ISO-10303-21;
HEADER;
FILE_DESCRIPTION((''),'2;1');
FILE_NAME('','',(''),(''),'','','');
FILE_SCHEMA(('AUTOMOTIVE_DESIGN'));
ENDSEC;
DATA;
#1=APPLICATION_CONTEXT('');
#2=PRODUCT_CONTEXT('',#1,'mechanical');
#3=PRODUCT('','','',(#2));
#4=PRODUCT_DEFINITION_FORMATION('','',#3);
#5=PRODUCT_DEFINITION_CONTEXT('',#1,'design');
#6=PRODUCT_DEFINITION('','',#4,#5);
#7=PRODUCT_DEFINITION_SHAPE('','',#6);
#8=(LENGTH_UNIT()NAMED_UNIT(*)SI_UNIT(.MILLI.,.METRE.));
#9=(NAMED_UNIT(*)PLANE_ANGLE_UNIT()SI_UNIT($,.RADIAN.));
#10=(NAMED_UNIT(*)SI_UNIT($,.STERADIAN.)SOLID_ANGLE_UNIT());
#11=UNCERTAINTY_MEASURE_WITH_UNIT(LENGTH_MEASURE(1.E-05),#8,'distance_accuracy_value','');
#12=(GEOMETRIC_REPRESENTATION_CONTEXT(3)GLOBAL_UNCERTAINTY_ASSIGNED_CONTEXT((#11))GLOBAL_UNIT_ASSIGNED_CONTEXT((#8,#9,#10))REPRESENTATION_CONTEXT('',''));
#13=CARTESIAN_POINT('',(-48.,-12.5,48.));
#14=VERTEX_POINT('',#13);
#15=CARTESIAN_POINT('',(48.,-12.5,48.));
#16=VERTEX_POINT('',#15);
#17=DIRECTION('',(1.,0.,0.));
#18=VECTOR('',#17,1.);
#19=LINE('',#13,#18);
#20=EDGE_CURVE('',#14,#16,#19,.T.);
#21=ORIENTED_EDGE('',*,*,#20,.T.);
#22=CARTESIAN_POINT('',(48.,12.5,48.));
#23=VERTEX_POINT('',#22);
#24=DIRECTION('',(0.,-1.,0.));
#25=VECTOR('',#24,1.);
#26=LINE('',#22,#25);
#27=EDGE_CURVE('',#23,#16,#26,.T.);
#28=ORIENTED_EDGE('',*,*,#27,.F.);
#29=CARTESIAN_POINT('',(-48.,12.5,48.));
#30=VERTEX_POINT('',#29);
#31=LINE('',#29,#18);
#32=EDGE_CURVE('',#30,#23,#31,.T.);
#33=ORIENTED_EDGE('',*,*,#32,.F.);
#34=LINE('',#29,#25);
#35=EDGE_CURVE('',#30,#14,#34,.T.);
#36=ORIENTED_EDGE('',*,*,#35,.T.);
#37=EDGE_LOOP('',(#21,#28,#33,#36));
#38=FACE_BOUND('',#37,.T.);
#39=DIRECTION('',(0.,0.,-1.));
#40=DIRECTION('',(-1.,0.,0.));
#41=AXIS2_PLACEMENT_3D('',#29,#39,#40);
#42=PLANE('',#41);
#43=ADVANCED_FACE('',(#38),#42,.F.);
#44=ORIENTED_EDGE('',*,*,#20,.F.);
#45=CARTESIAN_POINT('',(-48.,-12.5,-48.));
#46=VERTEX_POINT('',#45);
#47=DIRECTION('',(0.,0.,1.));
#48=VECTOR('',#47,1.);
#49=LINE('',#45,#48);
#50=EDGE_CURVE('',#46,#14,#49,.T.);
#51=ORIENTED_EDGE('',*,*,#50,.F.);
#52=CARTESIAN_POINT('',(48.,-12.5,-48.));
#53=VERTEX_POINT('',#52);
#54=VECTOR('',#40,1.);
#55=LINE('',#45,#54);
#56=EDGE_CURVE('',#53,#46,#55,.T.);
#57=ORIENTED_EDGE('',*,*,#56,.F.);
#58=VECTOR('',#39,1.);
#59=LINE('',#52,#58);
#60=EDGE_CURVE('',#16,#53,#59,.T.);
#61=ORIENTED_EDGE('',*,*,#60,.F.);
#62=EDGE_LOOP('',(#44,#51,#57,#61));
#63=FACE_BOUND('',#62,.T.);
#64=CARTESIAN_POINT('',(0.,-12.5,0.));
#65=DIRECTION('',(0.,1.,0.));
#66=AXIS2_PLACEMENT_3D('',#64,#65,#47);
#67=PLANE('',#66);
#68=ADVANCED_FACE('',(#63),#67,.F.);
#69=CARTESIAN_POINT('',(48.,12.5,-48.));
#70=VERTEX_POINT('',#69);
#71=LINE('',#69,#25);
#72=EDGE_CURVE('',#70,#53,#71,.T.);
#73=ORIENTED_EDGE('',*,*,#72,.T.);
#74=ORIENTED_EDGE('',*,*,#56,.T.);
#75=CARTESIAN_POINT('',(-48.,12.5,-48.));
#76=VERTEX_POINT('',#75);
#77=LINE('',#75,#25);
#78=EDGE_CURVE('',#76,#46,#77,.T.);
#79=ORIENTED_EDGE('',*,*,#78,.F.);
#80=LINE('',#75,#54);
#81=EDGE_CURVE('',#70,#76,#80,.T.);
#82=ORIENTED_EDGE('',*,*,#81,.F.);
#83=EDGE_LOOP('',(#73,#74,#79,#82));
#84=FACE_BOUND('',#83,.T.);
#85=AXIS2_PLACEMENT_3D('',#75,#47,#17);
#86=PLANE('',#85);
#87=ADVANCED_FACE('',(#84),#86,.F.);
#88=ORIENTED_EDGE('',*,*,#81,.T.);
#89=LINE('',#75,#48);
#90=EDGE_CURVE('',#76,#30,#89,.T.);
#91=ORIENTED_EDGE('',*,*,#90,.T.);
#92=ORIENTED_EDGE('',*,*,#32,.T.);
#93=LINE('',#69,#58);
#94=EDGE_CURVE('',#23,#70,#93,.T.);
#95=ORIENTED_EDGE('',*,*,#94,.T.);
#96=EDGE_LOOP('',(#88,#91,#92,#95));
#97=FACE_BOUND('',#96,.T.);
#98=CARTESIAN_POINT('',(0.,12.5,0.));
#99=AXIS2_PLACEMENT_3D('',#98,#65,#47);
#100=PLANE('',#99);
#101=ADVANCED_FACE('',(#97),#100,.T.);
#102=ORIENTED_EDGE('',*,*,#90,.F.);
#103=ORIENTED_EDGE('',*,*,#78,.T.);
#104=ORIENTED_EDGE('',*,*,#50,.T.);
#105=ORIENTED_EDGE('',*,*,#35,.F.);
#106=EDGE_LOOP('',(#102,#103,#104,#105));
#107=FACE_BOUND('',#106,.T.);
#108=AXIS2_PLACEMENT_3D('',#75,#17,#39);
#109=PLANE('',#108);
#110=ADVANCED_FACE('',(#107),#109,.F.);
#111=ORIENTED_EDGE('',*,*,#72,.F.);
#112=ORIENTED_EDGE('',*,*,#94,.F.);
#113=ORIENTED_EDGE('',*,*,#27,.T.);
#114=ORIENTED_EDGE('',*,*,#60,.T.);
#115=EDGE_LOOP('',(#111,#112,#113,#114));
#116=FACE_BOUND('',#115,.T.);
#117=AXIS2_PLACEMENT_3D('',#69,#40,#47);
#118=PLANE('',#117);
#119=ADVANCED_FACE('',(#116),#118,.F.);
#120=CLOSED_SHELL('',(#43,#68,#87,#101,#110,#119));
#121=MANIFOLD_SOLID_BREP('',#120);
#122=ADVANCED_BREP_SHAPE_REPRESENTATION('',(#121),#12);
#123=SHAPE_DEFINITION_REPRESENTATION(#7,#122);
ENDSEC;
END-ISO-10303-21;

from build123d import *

# Parameters (mm, degrees)
SKETCH1_W           = 96
SKETCH1_H           = 96
BOSS_EXTRUDE1_DEPTH = 12.5


with BuildPart() as part:
    # Sketch1 → Boss-Extrude1 (new body, symmetric)
    with BuildSketch(Plane(origin=(0, 0, 0), x_dir=(1, 0, 0), z_dir=(0, 1, 0))):
        Rectangle(SKETCH1_W, SKETCH1_H)
    extrude(amount=BOSS_EXTRUDE1_DEPTH, both=True)


solid = part.part
